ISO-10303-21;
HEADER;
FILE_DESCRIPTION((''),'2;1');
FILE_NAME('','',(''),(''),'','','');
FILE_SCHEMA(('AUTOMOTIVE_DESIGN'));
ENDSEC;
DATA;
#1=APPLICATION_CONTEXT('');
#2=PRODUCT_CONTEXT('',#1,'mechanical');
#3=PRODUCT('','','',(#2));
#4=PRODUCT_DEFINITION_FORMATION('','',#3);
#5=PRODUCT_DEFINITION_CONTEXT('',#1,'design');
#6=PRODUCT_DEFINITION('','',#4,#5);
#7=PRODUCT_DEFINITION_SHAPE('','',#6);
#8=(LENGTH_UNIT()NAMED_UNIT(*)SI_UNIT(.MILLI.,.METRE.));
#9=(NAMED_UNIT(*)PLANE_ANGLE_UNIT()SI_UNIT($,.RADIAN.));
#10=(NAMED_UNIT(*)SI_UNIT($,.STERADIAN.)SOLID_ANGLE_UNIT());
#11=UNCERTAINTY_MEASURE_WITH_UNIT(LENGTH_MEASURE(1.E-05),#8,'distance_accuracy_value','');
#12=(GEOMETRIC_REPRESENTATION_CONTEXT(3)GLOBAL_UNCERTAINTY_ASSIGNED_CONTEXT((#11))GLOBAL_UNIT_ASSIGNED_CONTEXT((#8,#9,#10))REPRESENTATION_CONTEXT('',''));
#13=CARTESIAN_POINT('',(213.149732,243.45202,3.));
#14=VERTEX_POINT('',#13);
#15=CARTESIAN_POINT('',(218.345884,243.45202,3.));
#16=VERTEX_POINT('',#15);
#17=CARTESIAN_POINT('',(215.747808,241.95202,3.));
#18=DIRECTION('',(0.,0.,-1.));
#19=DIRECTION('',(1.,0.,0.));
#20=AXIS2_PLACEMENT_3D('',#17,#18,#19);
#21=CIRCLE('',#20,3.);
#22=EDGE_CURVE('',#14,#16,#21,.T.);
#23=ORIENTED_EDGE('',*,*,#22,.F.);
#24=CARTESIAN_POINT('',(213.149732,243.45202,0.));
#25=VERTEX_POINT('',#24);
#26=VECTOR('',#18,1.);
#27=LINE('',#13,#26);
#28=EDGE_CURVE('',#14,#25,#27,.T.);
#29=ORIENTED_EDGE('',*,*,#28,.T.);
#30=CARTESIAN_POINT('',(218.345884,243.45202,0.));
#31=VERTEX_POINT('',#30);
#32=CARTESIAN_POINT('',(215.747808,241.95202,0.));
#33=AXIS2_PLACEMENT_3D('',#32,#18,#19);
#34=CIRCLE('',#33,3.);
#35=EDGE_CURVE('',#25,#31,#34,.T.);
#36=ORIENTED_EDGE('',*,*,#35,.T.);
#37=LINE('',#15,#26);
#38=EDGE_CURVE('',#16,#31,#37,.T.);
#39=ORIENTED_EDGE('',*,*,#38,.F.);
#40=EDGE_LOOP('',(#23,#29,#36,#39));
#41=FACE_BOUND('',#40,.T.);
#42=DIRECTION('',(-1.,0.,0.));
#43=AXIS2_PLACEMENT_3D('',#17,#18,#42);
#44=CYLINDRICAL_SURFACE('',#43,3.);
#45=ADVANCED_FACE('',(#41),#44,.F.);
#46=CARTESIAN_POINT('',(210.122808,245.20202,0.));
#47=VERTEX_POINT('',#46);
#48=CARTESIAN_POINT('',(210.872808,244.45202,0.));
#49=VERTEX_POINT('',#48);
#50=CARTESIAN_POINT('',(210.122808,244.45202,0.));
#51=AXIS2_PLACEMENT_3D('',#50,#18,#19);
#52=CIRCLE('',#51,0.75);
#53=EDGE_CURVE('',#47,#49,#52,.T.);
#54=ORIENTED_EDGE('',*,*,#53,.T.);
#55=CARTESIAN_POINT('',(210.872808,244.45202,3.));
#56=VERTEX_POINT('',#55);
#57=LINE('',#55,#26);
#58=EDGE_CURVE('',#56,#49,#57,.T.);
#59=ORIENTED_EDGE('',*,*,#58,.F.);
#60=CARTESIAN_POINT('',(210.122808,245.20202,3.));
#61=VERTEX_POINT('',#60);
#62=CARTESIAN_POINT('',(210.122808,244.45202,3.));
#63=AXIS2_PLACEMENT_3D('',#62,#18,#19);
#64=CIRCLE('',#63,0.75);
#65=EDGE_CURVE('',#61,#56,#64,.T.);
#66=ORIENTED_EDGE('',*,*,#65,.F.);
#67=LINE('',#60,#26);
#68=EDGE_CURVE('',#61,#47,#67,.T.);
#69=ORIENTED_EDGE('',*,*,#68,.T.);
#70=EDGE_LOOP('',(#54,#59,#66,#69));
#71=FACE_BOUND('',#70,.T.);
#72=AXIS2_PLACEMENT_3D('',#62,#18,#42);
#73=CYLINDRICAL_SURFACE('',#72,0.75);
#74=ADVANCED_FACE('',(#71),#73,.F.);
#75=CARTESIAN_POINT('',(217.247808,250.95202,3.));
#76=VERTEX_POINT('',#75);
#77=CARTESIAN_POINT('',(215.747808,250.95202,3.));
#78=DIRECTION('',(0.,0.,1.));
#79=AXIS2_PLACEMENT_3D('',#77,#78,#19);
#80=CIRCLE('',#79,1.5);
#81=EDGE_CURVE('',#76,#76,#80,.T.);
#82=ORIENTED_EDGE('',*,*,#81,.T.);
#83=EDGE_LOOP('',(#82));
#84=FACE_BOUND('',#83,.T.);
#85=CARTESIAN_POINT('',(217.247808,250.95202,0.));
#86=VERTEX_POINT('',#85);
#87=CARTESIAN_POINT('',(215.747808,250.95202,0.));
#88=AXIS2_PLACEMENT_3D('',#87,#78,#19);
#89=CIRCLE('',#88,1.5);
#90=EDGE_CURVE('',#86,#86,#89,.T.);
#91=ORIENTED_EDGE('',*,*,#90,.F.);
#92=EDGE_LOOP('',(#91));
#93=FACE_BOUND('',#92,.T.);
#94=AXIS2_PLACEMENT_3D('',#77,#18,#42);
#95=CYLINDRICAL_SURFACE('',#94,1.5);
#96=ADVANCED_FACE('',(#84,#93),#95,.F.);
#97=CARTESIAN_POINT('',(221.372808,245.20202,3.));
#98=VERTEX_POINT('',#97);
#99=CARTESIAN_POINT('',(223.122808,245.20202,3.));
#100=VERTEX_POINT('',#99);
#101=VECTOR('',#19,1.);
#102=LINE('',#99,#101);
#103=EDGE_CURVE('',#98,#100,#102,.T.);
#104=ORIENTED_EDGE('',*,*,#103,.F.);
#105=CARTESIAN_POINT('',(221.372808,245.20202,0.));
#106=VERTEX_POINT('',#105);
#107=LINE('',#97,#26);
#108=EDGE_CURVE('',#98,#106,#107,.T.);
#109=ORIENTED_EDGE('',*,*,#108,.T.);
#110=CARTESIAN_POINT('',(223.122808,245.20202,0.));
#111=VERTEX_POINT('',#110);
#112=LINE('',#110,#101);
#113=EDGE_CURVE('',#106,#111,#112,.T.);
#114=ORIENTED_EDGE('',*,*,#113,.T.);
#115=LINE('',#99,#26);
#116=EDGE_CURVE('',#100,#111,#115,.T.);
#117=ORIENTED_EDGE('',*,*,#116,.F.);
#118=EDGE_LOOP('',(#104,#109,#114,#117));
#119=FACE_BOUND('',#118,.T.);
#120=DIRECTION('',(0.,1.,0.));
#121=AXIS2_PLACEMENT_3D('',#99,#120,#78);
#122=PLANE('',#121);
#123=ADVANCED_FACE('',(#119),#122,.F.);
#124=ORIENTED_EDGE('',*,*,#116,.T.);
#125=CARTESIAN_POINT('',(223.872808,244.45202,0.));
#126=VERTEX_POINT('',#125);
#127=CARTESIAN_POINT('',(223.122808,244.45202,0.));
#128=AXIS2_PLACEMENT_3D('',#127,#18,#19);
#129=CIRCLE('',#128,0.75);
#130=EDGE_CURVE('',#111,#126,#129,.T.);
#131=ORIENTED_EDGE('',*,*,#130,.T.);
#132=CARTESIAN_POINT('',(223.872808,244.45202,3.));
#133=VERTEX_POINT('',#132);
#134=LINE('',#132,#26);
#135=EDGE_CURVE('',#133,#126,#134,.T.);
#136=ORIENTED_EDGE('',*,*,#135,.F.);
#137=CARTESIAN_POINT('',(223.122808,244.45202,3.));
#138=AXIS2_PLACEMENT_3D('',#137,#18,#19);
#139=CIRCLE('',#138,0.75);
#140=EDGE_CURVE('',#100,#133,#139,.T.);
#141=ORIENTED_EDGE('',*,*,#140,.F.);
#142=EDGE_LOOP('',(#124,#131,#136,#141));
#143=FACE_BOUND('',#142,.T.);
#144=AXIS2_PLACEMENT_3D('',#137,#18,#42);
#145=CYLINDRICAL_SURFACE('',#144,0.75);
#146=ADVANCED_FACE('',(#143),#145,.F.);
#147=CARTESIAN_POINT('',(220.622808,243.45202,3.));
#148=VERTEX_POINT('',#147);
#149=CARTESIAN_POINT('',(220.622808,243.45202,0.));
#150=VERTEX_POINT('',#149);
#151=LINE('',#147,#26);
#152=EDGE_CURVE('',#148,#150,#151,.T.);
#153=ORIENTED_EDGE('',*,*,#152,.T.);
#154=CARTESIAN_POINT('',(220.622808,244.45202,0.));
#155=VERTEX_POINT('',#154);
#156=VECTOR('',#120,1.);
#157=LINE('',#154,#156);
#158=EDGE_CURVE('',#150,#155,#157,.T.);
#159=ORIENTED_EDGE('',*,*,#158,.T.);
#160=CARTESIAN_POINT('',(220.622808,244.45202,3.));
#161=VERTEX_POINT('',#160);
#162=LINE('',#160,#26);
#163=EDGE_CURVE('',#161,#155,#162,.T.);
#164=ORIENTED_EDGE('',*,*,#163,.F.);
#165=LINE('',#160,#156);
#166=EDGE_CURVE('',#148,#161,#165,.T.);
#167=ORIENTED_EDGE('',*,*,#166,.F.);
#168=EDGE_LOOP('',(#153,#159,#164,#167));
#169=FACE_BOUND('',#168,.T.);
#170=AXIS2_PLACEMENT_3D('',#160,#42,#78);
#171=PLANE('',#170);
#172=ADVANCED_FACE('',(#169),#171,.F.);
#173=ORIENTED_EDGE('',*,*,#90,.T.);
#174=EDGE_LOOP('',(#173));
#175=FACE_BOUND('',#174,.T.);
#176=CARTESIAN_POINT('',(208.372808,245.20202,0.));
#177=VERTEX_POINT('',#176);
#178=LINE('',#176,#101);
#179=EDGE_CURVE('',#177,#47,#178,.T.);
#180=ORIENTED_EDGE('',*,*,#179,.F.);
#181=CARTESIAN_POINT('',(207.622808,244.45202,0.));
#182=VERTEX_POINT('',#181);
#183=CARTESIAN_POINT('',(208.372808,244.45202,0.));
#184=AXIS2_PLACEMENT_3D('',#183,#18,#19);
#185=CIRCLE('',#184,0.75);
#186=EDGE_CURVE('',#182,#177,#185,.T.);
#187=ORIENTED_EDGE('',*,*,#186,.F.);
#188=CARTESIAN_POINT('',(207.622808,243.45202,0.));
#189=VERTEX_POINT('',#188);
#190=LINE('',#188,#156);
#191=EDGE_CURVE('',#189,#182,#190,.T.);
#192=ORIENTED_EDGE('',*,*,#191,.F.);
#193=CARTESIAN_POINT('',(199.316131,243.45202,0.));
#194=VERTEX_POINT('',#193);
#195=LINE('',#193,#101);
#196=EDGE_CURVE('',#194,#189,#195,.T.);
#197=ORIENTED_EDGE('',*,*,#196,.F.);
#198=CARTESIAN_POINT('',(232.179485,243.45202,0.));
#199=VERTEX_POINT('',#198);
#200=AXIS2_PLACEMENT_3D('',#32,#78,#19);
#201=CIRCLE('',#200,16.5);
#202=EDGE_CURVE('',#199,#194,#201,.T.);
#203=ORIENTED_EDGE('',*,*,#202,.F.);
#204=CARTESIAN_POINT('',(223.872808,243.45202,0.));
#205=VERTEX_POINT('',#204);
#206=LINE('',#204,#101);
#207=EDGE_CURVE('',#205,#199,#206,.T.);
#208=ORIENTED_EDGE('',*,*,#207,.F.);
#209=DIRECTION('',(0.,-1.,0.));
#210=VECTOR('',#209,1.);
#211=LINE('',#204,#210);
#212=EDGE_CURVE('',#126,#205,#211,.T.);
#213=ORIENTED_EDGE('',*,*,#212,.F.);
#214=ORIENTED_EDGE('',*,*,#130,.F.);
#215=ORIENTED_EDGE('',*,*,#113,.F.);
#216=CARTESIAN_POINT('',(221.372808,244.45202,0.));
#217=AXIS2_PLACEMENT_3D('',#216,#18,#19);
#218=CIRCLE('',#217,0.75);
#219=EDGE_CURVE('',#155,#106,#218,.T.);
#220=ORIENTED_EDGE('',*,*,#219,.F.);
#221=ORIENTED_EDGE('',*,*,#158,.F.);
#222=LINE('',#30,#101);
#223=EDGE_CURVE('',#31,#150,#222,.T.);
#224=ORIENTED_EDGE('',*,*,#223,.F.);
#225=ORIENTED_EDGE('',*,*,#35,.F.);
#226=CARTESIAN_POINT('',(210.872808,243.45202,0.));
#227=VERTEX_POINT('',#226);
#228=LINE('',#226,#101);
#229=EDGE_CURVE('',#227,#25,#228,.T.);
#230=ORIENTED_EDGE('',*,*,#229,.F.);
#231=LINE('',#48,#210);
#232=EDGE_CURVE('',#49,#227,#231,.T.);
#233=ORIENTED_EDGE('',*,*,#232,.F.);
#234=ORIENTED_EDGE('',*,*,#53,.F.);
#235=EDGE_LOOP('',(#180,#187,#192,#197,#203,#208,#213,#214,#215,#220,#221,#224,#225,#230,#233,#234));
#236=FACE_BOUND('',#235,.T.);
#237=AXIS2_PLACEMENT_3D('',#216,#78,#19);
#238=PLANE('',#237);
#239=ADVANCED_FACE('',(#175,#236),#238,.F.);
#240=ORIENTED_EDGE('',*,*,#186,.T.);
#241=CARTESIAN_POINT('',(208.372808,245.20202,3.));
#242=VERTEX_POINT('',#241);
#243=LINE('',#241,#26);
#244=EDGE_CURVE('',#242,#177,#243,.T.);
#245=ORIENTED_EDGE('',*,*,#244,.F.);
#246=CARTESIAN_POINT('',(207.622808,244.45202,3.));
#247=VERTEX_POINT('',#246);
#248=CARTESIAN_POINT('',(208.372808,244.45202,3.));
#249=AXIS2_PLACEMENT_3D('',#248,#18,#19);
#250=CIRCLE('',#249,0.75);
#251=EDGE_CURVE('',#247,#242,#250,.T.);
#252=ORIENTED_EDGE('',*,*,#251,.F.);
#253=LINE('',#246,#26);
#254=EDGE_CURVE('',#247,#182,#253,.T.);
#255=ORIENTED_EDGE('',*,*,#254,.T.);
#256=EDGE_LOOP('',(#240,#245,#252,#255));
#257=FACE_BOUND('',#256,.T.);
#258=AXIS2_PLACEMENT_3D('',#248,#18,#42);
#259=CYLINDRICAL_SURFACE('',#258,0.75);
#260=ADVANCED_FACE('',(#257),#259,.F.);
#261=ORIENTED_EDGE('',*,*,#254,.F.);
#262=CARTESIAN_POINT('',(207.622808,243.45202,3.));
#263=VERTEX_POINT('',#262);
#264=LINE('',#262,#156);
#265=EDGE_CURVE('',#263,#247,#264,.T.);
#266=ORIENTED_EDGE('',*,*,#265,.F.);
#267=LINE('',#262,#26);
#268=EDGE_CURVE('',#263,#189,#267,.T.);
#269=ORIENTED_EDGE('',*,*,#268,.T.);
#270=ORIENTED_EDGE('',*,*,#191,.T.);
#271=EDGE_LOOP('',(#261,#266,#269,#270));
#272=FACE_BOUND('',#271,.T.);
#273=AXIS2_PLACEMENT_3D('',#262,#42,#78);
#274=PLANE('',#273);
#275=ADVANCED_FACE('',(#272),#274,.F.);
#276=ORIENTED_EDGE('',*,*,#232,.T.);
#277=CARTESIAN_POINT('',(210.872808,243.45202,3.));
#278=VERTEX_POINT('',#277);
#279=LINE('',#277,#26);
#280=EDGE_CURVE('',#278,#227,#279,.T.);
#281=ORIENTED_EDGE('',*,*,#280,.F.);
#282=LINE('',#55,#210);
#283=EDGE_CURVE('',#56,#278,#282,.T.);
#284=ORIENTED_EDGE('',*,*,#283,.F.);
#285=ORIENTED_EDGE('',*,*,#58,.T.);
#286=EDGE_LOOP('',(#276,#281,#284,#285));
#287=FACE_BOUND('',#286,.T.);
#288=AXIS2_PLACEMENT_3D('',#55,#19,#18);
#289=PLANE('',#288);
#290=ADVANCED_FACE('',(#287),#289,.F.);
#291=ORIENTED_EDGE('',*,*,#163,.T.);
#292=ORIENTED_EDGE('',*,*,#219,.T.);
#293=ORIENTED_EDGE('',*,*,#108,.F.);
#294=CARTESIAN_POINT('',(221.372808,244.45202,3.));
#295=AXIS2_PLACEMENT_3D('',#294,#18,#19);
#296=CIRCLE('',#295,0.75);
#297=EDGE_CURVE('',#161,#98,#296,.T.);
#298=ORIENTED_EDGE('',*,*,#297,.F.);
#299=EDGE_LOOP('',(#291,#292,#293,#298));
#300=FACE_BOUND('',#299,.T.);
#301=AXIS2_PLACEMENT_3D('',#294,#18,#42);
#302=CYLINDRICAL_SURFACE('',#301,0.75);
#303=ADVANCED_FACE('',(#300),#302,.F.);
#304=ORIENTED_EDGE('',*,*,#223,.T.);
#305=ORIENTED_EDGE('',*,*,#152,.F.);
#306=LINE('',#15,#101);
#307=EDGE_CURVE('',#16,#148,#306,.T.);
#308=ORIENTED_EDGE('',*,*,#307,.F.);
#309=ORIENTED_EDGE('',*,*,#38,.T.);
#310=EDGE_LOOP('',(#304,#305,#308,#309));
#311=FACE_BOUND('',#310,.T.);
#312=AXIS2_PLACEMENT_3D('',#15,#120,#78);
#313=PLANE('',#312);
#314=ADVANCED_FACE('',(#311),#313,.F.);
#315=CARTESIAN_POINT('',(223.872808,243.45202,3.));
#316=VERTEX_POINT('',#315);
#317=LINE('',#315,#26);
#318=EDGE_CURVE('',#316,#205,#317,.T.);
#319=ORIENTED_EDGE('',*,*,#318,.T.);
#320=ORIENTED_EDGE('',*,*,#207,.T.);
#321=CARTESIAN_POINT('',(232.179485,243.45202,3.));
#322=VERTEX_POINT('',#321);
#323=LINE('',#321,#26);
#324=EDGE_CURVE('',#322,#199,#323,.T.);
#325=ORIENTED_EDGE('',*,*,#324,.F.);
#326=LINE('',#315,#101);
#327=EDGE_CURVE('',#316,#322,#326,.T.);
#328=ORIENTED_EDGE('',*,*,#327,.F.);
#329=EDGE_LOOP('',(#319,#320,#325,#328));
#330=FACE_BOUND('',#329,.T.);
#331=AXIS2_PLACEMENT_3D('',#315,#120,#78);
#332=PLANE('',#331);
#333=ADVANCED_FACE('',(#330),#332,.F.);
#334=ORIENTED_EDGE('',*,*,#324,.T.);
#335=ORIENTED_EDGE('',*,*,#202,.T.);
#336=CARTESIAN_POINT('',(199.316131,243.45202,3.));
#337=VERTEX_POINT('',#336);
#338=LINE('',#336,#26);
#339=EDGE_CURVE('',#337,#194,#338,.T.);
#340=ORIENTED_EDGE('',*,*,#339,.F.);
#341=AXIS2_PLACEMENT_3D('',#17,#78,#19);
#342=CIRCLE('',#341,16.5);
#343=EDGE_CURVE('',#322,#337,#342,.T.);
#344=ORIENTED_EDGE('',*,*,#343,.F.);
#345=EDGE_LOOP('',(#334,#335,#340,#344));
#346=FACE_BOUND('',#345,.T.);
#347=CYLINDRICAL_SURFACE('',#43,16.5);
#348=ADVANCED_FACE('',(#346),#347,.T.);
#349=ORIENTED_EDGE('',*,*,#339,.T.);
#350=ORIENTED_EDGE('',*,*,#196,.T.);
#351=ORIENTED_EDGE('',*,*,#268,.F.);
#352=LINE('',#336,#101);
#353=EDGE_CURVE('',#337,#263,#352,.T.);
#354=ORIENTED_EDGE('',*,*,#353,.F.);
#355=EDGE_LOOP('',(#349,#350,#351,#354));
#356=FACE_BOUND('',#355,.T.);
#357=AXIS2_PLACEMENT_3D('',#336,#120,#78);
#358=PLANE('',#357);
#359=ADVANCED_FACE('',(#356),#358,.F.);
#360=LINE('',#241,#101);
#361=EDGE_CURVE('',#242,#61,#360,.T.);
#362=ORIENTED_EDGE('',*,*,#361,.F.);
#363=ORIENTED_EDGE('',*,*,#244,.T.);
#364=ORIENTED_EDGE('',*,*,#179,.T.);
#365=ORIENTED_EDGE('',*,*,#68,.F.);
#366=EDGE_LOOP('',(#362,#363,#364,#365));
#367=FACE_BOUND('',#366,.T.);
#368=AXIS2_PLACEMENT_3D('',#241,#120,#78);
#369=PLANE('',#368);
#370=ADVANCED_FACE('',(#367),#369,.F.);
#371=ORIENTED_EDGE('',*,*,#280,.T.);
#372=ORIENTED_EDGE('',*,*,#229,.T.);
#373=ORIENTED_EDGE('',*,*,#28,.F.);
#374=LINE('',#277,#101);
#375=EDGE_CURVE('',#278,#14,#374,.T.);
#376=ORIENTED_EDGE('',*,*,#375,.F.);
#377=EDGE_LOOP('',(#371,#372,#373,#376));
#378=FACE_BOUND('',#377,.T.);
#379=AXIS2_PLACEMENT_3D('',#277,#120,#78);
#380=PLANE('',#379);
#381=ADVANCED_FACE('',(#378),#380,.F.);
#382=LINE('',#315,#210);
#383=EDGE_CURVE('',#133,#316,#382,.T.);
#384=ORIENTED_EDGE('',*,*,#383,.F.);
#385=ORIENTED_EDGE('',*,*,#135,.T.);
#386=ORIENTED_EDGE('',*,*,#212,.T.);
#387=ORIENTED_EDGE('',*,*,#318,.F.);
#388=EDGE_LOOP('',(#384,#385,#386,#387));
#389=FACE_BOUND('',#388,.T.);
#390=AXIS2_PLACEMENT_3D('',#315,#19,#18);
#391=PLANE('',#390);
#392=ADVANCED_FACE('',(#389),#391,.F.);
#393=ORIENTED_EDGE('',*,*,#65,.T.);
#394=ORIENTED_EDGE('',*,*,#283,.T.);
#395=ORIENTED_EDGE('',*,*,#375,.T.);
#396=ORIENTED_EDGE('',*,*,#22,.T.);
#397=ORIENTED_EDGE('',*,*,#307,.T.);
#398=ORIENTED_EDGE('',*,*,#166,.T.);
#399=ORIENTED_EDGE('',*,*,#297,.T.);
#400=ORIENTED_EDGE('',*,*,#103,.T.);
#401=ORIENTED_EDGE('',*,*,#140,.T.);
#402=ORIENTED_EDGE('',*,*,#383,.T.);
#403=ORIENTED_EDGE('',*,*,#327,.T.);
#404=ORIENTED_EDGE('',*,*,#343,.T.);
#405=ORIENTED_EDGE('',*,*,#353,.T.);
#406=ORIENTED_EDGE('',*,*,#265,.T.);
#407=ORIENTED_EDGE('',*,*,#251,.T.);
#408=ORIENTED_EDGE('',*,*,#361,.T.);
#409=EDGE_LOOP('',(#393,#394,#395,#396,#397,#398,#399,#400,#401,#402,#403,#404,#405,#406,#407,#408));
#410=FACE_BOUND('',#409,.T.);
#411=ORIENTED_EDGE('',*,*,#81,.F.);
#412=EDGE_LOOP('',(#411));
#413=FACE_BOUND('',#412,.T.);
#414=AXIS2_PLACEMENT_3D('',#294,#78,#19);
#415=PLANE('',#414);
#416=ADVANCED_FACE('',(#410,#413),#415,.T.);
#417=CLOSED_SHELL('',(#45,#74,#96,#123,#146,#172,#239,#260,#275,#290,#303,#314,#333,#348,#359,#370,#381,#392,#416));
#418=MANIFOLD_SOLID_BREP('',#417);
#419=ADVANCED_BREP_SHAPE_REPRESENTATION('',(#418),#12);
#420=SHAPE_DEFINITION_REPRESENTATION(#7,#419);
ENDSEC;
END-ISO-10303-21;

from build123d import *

# Parameters (mm, degrees)
MODEL_R                 = 1.5
SALIENTE_EXTRUIR1_DEPTH = 3


with BuildPart() as part:
    # Model → Saliente-Extruir1 (new body)
    with BuildSketch(Plane.XY):
        with BuildLine():
            Line((223.122807913, 245.202019993), (221.372807913, 245.202019993))
            ThreePointArc((221.372807913, 245.202019993), (220.842477828, 244.982350079), (220.622807913, 244.452019993))
            Line((220.622807913, 244.452019993), (220.622807913, 243.452019993))
            Line((220.622807913, 243.452019993), (218.345884125, 243.452019993))
            ThreePointArc((218.345884125, 243.452019993), (215.747807914, 244.952019993), (213.149731702, 243.452019993))
            Line((213.149731702, 243.452019993), (210.872807913, 243.452019993))
            Line((210.872807913, 243.452019993), (210.872807913, 244.452019993))
            ThreePointArc((210.872807913, 244.452019993), (210.653137999, 244.982350079), (210.122807913, 245.202019993))
            Line((210.122807913, 245.202019993), (208.372807913, 245.202019993))
            ThreePointArc((208.372807913, 245.202019993), (207.842477828, 244.982350079), (207.622807913, 244.452019993))
            Line((207.622807913, 244.452019993), (207.622807913, 243.452019993))
            Line((207.622807913, 243.452019993), (199.316131188, 243.452019993))
            ThreePointArc((199.316131188, 243.452019993), (215.747807914, 258.452019993), (232.179484639, 243.452019993))
            Line((232.179484639, 243.452019993), (223.872807913, 243.452019993))
            Line((223.872807913, 243.452019993), (223.872807913, 244.452019993))
            ThreePointArc((223.872807913, 244.452019993), (223.653137999, 244.982350079), (223.122807913, 245.202019993))
        make_face()
        with Locations((215.747807914, 250.952019993)):
            Circle(MODEL_R, mode=Mode.SUBTRACT)
    extrude(amount=SALIENTE_EXTRUIR1_DEPTH)


solid = part.part
